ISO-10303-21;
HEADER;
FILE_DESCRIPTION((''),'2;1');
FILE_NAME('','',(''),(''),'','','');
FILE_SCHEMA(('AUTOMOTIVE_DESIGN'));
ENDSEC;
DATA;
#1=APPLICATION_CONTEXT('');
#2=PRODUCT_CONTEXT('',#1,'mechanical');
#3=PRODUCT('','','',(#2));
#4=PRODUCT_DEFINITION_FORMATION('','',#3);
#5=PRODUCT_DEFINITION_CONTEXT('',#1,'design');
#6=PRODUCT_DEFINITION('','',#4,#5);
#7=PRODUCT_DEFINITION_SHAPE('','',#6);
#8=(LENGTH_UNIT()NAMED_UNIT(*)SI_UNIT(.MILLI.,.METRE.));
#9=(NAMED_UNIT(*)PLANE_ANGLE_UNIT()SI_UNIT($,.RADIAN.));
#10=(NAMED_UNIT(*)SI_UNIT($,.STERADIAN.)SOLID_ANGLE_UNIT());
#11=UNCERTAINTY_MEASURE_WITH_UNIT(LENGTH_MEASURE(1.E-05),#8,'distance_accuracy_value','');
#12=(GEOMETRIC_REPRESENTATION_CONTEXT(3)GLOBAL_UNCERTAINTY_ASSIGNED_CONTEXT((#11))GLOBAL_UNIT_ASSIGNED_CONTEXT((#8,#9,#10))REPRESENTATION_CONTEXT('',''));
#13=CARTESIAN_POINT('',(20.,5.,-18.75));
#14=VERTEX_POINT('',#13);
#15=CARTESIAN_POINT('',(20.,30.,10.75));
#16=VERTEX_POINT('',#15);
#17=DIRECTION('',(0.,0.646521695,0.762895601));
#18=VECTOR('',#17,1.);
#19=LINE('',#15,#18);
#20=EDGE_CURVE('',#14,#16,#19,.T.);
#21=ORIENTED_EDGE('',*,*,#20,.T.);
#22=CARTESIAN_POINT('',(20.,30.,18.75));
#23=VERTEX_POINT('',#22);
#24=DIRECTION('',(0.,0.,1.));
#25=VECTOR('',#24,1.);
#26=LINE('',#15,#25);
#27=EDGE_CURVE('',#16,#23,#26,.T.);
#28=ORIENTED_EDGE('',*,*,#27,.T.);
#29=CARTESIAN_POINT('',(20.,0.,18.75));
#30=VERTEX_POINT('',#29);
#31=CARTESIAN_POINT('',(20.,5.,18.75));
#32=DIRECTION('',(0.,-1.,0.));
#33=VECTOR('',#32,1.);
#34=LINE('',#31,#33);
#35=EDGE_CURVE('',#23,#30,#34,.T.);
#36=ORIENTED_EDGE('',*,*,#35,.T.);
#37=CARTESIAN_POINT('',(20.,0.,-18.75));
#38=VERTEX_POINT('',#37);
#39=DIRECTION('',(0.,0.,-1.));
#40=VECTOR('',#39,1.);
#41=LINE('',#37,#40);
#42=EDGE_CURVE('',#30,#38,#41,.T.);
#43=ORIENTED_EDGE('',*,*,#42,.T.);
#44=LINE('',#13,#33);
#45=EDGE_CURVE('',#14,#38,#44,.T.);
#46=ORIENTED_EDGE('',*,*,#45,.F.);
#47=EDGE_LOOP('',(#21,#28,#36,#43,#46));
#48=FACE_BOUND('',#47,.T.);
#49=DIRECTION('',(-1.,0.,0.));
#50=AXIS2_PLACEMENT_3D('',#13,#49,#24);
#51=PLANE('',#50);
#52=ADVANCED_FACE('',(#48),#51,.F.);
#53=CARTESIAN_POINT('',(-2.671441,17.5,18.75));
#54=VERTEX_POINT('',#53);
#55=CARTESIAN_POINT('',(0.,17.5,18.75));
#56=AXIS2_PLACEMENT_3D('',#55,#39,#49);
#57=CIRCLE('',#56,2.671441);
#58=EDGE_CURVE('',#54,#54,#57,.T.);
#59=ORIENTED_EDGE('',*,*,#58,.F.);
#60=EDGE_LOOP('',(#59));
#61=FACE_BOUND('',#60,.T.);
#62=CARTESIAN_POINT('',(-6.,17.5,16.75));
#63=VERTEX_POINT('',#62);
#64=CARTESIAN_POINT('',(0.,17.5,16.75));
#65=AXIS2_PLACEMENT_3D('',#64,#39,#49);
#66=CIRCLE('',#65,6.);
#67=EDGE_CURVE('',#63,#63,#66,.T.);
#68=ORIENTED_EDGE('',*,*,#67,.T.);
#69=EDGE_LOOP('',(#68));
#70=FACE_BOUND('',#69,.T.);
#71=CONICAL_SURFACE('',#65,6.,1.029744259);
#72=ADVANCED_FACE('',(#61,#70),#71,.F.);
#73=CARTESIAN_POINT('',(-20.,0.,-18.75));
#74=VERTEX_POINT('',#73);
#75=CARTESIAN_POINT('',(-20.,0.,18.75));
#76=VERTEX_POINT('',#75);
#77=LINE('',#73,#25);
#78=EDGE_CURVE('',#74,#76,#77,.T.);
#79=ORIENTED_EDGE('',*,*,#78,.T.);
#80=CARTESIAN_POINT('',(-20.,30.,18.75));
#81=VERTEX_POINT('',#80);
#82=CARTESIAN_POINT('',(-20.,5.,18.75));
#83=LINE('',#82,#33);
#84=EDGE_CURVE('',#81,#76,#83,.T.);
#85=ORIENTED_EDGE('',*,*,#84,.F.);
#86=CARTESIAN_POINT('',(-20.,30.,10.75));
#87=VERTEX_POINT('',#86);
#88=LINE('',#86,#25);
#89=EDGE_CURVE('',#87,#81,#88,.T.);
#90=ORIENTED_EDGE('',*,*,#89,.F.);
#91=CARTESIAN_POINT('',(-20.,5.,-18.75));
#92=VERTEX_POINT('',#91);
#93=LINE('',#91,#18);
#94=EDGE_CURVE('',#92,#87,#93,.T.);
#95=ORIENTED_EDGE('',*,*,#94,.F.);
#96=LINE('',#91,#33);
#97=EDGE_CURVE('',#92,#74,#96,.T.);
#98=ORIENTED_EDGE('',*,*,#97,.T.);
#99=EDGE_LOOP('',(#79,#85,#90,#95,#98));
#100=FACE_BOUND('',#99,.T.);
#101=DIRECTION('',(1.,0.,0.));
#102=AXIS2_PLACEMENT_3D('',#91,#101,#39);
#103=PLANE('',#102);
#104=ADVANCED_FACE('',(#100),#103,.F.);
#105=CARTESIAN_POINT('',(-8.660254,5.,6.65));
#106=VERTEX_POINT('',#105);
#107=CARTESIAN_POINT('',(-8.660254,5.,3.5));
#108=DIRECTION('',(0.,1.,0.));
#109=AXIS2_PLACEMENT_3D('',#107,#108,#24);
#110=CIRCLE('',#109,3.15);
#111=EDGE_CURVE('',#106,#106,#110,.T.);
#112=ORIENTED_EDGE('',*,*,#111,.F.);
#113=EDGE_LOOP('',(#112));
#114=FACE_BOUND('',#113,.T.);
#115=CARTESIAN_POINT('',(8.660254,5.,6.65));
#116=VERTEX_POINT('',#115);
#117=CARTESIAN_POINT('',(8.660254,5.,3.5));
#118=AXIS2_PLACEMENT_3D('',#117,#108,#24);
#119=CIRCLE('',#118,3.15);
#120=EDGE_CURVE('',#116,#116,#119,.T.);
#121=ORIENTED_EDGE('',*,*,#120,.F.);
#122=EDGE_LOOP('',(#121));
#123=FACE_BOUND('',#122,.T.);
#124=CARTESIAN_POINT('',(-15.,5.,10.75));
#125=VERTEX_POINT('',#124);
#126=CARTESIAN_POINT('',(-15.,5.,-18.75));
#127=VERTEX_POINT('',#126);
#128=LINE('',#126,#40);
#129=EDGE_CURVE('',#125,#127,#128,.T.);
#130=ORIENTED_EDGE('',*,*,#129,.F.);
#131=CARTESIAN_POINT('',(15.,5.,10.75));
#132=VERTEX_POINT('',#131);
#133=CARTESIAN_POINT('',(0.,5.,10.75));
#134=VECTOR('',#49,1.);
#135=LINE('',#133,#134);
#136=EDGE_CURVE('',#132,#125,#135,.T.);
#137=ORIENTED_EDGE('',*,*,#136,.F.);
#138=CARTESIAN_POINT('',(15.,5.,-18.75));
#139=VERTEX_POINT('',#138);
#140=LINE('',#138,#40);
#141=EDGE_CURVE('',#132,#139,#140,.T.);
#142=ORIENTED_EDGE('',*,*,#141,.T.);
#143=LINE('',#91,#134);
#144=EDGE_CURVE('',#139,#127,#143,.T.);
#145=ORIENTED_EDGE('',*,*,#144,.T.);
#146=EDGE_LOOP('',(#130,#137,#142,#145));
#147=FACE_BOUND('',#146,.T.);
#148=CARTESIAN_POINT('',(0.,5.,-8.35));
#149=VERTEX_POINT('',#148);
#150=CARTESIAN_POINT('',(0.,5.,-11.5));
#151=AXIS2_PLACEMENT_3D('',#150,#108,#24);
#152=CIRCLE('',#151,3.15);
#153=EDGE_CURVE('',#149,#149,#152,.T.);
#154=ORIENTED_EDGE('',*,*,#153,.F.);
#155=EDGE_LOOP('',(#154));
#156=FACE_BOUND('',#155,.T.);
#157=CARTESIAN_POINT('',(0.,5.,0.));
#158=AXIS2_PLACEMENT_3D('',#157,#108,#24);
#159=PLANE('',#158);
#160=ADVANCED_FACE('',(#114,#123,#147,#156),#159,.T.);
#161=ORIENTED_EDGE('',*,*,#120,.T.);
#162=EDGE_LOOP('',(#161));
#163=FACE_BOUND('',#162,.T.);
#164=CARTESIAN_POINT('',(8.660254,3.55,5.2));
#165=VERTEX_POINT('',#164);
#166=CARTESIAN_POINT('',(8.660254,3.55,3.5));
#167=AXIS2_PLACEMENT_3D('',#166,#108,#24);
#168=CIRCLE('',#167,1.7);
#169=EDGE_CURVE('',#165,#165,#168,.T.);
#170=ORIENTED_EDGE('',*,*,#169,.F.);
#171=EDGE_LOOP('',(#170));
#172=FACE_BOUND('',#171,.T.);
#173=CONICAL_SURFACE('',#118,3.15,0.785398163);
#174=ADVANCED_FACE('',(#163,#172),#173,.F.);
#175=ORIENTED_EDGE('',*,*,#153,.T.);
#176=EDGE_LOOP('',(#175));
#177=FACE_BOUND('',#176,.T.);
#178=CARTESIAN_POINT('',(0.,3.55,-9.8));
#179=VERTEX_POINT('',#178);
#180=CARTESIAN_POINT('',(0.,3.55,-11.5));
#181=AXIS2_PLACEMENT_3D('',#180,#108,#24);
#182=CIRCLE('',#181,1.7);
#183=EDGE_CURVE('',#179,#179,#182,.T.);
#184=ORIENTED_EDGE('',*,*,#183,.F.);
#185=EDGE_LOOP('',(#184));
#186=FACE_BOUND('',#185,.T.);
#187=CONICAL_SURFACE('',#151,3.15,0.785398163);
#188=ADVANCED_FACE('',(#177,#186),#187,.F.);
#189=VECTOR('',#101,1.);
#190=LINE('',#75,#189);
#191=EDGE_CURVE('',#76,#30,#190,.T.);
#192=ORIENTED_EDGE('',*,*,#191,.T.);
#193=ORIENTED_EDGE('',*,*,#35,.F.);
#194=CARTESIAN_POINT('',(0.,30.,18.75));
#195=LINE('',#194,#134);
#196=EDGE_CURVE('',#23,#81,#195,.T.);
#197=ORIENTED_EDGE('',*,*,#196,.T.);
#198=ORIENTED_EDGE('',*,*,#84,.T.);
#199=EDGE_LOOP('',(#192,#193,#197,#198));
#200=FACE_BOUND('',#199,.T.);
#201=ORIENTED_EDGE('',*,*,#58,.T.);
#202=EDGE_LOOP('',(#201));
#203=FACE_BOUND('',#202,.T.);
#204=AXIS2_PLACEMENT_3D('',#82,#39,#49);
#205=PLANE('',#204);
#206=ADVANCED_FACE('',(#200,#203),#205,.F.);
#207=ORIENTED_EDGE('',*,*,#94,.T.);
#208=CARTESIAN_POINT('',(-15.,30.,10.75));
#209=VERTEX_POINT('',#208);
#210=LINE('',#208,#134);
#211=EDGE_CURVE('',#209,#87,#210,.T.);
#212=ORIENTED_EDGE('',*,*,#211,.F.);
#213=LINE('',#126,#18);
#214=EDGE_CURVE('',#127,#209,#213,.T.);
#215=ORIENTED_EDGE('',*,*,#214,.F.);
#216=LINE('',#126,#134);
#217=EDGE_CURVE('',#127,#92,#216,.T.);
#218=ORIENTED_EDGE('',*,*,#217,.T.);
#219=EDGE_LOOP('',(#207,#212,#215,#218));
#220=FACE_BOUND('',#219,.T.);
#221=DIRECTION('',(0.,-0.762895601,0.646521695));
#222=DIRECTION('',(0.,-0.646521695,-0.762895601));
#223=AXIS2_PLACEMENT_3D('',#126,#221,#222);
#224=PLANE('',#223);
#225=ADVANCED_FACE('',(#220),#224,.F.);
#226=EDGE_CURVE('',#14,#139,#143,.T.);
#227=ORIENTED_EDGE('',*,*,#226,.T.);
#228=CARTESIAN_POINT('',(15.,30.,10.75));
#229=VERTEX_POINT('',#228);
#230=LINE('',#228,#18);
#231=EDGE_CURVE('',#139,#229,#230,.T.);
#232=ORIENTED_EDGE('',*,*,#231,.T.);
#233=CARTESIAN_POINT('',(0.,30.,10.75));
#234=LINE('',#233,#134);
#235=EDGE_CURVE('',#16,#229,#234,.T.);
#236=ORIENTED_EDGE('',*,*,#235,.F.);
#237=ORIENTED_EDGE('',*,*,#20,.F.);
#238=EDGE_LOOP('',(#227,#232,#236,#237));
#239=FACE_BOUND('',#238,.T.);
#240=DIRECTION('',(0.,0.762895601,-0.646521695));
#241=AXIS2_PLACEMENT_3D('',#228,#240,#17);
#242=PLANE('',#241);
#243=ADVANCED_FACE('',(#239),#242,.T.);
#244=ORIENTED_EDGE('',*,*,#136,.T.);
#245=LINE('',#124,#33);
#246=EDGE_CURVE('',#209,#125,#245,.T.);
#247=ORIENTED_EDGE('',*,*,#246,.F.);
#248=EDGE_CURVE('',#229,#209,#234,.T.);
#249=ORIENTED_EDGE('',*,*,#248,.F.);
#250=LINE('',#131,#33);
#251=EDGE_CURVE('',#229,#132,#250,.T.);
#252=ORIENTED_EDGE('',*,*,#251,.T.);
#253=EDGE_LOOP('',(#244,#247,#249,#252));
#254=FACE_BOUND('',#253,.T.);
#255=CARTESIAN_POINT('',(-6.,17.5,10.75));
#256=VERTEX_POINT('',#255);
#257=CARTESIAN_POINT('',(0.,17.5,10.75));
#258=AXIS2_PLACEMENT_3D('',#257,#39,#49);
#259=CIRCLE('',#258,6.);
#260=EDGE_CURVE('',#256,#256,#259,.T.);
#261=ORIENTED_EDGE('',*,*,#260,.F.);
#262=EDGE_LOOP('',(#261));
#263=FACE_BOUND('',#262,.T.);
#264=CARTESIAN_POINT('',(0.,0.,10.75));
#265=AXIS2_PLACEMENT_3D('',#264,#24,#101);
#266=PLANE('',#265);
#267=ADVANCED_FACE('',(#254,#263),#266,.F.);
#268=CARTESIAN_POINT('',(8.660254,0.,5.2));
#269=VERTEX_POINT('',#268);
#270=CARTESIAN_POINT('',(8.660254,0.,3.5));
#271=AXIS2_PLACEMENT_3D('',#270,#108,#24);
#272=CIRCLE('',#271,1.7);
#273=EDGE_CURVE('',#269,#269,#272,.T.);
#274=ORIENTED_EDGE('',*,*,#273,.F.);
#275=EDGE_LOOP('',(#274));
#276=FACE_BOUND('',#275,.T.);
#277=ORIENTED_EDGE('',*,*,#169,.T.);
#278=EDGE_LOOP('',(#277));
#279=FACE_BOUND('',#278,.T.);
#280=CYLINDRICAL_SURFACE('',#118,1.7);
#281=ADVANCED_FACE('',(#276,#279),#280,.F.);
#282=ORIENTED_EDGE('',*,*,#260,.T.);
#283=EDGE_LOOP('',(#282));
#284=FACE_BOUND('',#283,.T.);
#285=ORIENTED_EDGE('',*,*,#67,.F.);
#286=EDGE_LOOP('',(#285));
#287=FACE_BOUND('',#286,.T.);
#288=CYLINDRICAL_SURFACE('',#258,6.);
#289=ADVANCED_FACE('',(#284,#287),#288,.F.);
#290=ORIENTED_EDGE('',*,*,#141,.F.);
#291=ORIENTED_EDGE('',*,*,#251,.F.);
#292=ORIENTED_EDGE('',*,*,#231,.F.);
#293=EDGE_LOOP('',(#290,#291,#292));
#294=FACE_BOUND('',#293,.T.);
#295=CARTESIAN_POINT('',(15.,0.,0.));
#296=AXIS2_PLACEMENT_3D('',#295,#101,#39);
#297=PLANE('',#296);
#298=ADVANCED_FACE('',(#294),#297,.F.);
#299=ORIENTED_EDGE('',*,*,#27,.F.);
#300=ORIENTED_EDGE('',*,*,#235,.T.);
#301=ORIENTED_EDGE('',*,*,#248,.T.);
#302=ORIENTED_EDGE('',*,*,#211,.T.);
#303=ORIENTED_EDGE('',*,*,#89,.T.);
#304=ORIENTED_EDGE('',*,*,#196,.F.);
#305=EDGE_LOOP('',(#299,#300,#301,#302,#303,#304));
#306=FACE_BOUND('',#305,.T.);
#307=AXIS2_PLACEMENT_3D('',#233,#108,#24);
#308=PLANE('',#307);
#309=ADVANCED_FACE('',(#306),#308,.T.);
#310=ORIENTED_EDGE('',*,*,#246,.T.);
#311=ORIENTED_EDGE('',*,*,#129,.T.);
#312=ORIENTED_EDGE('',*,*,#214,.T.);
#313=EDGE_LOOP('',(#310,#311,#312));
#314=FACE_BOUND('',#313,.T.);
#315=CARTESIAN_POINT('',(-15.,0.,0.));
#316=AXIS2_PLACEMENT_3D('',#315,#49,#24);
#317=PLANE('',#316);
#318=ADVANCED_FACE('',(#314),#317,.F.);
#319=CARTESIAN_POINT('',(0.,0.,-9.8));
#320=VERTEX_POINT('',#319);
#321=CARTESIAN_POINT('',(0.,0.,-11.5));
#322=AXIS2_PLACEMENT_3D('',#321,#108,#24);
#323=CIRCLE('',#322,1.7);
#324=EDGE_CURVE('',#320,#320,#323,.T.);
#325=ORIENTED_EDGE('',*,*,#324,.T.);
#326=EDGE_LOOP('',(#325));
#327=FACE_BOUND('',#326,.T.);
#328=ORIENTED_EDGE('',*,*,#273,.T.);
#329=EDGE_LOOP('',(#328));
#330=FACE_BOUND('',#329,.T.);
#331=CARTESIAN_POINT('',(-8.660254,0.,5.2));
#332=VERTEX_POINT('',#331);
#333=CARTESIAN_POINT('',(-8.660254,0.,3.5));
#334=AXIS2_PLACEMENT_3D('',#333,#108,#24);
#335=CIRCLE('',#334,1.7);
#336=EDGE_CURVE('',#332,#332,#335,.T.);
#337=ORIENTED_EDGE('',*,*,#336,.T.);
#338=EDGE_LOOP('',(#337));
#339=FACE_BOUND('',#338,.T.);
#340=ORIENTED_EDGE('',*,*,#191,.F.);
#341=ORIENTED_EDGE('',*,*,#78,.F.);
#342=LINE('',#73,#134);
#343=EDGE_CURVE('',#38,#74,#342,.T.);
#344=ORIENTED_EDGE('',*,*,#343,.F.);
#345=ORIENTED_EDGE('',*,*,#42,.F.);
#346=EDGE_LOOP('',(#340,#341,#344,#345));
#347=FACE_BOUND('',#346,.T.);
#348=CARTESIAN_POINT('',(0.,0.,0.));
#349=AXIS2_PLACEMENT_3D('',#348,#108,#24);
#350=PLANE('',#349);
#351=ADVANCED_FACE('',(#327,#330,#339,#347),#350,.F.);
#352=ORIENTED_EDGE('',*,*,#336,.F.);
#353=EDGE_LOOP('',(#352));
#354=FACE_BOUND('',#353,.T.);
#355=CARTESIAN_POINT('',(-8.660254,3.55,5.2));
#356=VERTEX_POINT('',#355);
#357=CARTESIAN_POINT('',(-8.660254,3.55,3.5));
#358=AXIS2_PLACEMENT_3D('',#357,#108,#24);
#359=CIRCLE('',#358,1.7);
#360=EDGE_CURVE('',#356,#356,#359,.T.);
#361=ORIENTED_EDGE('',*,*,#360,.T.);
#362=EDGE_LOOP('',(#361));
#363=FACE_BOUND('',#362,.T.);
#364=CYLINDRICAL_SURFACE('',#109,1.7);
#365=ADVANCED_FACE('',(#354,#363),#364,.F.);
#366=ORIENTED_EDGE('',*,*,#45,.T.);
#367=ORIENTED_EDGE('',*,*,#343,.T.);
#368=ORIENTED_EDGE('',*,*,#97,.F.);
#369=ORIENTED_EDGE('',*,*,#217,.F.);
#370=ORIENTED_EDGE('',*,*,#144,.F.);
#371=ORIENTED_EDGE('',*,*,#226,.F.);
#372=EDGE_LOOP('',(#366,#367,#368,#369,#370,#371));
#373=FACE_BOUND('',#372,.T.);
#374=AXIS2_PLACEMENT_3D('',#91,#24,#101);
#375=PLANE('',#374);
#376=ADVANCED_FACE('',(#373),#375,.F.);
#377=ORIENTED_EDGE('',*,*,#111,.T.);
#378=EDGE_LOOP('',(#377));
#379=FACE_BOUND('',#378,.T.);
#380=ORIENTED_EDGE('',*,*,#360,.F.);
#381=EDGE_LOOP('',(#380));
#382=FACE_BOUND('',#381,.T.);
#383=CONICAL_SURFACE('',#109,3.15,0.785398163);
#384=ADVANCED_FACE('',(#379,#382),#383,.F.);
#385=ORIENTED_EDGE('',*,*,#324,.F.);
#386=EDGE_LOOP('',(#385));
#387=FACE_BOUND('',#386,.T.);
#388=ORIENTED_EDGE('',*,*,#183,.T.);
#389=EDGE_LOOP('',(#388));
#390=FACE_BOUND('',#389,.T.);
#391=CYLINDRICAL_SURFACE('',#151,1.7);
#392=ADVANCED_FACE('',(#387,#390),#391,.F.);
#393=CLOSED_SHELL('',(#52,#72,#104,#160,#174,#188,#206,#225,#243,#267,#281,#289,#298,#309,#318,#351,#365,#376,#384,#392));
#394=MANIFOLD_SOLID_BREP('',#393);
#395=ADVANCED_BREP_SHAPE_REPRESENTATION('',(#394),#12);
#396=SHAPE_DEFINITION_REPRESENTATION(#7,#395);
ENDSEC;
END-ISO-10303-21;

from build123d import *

# Parameters (mm, degrees)
SKETCH1_W                                       = 40
SKETCH1_H                                       = 37.5
BOSS_EXTRUDE1_DEPTH                             = 5
SKETCH2_W                                       = 40
SKETCH2_H                                       = 30
BOSS_EXTRUDE2_DEPTH                             = 8
BOSS_EXTRUDE3_DEPTH                             = 5
BOSS_EXTRUDE4_START                             = -40
BOSS_EXTRUDE4_DEPTH                             = 5
CSK_FOR_M3_FLAT_HEAD_MACHINE_SCREW1_D           = 3.4
CSK_FOR_M3_FLAT_HEAD_MACHINE_SCREW1_DEPTH       = 6
CSK_FOR_M3_FLAT_HEAD_MACHINE_SCREW1_CSINK_D     = 6.3
CSK_FOR_M3_FLAT_HEAD_MACHINE_SCREW1_CSINK_ANGLE = 90
CSK_FOR_M3_FLAT_HEAD_MACHINE_SCREW1_TIP         = 1.021463052
F_12_0_12_DIAMETER_HOLE1_D                      = 12
F_12_0_12_DIAMETER_HOLE1_DEPTH                  = 6
F_12_0_12_DIAMETER_HOLE1_TIP                    = 3.605163714


with BuildPart() as part:
    # Sketch1 → Boss-Extrude1 (new body)
    with BuildSketch(Plane(origin=(0, 0, 0), x_dir=(1, 0, 0), z_dir=(0, 1, 0))):
        Rectangle(SKETCH1_W, SKETCH1_H)
    extrude(amount=BOSS_EXTRUDE1_DEPTH)

    # Sketch2 → Boss-Extrude2 (add)
    with BuildSketch(Plane.XY.offset(18.75)):
        with Locations((0, 15)):
            Rectangle(SKETCH2_W, SKETCH2_H)
    extrude(amount=-BOSS_EXTRUDE2_DEPTH)

    # Sketch3 → Boss-Extrude3 (add)
    with BuildSketch(Plane(origin=(20, 0, 0), x_dir=(0, 0, -1), z_dir=(1, 0, 0))):
        Polygon((-10.75, 30), (18.75, 5), (-10.75, 5), align=None)
    extrude(amount=-BOSS_EXTRUDE3_DEPTH)

    # Sketch3<2> → Boss-Extrude4 (add)
    with BuildSketch(Plane(origin=(20, 0, 0), x_dir=(0, 0, -1), z_dir=(1, 0, 0)).offset(BOSS_EXTRUDE4_START)):
        Polygon((-10.75, 30), (18.75, 5), (-10.75, 5), align=None)
    extrude(amount=BOSS_EXTRUDE4_DEPTH)

    # CSK for M3 Flat Head Machine Screw1
    with Locations(Plane(origin=(0, 5, 0), x_dir=(1, 0, 0), z_dir=(0, 1, 0))):
        with Locations((8.660254038, -3.5), (0, 11.5), (-8.660254038, -3.5)):
            CounterSinkHole(CSK_FOR_M3_FLAT_HEAD_MACHINE_SCREW1_D / 2, CSK_FOR_M3_FLAT_HEAD_MACHINE_SCREW1_CSINK_D / 2, depth=CSK_FOR_M3_FLAT_HEAD_MACHINE_SCREW1_DEPTH, counter_sink_angle=CSK_FOR_M3_FLAT_HEAD_MACHINE_SCREW1_CSINK_ANGLE)
            with Locations((0, 0, -(CSK_FOR_M3_FLAT_HEAD_MACHINE_SCREW1_DEPTH + CSK_FOR_M3_FLAT_HEAD_MACHINE_SCREW1_TIP / 2))):  # 118° drill point
                Cone(0, CSK_FOR_M3_FLAT_HEAD_MACHINE_SCREW1_D / 2, CSK_FOR_M3_FLAT_HEAD_MACHINE_SCREW1_TIP, mode=Mode.SUBTRACT)

    # Ø12.0 (12) Diameter Hole1
    with Locations(Plane(origin=(0, 0, 10.75), x_dir=(-1, 0, 0), z_dir=(0, 0, -1))):
        with Locations((0, 17.5)):
            Hole(F_12_0_12_DIAMETER_HOLE1_D / 2, depth=F_12_0_12_DIAMETER_HOLE1_DEPTH)
            with Locations((0, 0, -(F_12_0_12_DIAMETER_HOLE1_DEPTH + F_12_0_12_DIAMETER_HOLE1_TIP / 2))):  # 118° drill point
                Cone(0, F_12_0_12_DIAMETER_HOLE1_D / 2, F_12_0_12_DIAMETER_HOLE1_TIP, mode=Mode.SUBTRACT)


solid = part.part
